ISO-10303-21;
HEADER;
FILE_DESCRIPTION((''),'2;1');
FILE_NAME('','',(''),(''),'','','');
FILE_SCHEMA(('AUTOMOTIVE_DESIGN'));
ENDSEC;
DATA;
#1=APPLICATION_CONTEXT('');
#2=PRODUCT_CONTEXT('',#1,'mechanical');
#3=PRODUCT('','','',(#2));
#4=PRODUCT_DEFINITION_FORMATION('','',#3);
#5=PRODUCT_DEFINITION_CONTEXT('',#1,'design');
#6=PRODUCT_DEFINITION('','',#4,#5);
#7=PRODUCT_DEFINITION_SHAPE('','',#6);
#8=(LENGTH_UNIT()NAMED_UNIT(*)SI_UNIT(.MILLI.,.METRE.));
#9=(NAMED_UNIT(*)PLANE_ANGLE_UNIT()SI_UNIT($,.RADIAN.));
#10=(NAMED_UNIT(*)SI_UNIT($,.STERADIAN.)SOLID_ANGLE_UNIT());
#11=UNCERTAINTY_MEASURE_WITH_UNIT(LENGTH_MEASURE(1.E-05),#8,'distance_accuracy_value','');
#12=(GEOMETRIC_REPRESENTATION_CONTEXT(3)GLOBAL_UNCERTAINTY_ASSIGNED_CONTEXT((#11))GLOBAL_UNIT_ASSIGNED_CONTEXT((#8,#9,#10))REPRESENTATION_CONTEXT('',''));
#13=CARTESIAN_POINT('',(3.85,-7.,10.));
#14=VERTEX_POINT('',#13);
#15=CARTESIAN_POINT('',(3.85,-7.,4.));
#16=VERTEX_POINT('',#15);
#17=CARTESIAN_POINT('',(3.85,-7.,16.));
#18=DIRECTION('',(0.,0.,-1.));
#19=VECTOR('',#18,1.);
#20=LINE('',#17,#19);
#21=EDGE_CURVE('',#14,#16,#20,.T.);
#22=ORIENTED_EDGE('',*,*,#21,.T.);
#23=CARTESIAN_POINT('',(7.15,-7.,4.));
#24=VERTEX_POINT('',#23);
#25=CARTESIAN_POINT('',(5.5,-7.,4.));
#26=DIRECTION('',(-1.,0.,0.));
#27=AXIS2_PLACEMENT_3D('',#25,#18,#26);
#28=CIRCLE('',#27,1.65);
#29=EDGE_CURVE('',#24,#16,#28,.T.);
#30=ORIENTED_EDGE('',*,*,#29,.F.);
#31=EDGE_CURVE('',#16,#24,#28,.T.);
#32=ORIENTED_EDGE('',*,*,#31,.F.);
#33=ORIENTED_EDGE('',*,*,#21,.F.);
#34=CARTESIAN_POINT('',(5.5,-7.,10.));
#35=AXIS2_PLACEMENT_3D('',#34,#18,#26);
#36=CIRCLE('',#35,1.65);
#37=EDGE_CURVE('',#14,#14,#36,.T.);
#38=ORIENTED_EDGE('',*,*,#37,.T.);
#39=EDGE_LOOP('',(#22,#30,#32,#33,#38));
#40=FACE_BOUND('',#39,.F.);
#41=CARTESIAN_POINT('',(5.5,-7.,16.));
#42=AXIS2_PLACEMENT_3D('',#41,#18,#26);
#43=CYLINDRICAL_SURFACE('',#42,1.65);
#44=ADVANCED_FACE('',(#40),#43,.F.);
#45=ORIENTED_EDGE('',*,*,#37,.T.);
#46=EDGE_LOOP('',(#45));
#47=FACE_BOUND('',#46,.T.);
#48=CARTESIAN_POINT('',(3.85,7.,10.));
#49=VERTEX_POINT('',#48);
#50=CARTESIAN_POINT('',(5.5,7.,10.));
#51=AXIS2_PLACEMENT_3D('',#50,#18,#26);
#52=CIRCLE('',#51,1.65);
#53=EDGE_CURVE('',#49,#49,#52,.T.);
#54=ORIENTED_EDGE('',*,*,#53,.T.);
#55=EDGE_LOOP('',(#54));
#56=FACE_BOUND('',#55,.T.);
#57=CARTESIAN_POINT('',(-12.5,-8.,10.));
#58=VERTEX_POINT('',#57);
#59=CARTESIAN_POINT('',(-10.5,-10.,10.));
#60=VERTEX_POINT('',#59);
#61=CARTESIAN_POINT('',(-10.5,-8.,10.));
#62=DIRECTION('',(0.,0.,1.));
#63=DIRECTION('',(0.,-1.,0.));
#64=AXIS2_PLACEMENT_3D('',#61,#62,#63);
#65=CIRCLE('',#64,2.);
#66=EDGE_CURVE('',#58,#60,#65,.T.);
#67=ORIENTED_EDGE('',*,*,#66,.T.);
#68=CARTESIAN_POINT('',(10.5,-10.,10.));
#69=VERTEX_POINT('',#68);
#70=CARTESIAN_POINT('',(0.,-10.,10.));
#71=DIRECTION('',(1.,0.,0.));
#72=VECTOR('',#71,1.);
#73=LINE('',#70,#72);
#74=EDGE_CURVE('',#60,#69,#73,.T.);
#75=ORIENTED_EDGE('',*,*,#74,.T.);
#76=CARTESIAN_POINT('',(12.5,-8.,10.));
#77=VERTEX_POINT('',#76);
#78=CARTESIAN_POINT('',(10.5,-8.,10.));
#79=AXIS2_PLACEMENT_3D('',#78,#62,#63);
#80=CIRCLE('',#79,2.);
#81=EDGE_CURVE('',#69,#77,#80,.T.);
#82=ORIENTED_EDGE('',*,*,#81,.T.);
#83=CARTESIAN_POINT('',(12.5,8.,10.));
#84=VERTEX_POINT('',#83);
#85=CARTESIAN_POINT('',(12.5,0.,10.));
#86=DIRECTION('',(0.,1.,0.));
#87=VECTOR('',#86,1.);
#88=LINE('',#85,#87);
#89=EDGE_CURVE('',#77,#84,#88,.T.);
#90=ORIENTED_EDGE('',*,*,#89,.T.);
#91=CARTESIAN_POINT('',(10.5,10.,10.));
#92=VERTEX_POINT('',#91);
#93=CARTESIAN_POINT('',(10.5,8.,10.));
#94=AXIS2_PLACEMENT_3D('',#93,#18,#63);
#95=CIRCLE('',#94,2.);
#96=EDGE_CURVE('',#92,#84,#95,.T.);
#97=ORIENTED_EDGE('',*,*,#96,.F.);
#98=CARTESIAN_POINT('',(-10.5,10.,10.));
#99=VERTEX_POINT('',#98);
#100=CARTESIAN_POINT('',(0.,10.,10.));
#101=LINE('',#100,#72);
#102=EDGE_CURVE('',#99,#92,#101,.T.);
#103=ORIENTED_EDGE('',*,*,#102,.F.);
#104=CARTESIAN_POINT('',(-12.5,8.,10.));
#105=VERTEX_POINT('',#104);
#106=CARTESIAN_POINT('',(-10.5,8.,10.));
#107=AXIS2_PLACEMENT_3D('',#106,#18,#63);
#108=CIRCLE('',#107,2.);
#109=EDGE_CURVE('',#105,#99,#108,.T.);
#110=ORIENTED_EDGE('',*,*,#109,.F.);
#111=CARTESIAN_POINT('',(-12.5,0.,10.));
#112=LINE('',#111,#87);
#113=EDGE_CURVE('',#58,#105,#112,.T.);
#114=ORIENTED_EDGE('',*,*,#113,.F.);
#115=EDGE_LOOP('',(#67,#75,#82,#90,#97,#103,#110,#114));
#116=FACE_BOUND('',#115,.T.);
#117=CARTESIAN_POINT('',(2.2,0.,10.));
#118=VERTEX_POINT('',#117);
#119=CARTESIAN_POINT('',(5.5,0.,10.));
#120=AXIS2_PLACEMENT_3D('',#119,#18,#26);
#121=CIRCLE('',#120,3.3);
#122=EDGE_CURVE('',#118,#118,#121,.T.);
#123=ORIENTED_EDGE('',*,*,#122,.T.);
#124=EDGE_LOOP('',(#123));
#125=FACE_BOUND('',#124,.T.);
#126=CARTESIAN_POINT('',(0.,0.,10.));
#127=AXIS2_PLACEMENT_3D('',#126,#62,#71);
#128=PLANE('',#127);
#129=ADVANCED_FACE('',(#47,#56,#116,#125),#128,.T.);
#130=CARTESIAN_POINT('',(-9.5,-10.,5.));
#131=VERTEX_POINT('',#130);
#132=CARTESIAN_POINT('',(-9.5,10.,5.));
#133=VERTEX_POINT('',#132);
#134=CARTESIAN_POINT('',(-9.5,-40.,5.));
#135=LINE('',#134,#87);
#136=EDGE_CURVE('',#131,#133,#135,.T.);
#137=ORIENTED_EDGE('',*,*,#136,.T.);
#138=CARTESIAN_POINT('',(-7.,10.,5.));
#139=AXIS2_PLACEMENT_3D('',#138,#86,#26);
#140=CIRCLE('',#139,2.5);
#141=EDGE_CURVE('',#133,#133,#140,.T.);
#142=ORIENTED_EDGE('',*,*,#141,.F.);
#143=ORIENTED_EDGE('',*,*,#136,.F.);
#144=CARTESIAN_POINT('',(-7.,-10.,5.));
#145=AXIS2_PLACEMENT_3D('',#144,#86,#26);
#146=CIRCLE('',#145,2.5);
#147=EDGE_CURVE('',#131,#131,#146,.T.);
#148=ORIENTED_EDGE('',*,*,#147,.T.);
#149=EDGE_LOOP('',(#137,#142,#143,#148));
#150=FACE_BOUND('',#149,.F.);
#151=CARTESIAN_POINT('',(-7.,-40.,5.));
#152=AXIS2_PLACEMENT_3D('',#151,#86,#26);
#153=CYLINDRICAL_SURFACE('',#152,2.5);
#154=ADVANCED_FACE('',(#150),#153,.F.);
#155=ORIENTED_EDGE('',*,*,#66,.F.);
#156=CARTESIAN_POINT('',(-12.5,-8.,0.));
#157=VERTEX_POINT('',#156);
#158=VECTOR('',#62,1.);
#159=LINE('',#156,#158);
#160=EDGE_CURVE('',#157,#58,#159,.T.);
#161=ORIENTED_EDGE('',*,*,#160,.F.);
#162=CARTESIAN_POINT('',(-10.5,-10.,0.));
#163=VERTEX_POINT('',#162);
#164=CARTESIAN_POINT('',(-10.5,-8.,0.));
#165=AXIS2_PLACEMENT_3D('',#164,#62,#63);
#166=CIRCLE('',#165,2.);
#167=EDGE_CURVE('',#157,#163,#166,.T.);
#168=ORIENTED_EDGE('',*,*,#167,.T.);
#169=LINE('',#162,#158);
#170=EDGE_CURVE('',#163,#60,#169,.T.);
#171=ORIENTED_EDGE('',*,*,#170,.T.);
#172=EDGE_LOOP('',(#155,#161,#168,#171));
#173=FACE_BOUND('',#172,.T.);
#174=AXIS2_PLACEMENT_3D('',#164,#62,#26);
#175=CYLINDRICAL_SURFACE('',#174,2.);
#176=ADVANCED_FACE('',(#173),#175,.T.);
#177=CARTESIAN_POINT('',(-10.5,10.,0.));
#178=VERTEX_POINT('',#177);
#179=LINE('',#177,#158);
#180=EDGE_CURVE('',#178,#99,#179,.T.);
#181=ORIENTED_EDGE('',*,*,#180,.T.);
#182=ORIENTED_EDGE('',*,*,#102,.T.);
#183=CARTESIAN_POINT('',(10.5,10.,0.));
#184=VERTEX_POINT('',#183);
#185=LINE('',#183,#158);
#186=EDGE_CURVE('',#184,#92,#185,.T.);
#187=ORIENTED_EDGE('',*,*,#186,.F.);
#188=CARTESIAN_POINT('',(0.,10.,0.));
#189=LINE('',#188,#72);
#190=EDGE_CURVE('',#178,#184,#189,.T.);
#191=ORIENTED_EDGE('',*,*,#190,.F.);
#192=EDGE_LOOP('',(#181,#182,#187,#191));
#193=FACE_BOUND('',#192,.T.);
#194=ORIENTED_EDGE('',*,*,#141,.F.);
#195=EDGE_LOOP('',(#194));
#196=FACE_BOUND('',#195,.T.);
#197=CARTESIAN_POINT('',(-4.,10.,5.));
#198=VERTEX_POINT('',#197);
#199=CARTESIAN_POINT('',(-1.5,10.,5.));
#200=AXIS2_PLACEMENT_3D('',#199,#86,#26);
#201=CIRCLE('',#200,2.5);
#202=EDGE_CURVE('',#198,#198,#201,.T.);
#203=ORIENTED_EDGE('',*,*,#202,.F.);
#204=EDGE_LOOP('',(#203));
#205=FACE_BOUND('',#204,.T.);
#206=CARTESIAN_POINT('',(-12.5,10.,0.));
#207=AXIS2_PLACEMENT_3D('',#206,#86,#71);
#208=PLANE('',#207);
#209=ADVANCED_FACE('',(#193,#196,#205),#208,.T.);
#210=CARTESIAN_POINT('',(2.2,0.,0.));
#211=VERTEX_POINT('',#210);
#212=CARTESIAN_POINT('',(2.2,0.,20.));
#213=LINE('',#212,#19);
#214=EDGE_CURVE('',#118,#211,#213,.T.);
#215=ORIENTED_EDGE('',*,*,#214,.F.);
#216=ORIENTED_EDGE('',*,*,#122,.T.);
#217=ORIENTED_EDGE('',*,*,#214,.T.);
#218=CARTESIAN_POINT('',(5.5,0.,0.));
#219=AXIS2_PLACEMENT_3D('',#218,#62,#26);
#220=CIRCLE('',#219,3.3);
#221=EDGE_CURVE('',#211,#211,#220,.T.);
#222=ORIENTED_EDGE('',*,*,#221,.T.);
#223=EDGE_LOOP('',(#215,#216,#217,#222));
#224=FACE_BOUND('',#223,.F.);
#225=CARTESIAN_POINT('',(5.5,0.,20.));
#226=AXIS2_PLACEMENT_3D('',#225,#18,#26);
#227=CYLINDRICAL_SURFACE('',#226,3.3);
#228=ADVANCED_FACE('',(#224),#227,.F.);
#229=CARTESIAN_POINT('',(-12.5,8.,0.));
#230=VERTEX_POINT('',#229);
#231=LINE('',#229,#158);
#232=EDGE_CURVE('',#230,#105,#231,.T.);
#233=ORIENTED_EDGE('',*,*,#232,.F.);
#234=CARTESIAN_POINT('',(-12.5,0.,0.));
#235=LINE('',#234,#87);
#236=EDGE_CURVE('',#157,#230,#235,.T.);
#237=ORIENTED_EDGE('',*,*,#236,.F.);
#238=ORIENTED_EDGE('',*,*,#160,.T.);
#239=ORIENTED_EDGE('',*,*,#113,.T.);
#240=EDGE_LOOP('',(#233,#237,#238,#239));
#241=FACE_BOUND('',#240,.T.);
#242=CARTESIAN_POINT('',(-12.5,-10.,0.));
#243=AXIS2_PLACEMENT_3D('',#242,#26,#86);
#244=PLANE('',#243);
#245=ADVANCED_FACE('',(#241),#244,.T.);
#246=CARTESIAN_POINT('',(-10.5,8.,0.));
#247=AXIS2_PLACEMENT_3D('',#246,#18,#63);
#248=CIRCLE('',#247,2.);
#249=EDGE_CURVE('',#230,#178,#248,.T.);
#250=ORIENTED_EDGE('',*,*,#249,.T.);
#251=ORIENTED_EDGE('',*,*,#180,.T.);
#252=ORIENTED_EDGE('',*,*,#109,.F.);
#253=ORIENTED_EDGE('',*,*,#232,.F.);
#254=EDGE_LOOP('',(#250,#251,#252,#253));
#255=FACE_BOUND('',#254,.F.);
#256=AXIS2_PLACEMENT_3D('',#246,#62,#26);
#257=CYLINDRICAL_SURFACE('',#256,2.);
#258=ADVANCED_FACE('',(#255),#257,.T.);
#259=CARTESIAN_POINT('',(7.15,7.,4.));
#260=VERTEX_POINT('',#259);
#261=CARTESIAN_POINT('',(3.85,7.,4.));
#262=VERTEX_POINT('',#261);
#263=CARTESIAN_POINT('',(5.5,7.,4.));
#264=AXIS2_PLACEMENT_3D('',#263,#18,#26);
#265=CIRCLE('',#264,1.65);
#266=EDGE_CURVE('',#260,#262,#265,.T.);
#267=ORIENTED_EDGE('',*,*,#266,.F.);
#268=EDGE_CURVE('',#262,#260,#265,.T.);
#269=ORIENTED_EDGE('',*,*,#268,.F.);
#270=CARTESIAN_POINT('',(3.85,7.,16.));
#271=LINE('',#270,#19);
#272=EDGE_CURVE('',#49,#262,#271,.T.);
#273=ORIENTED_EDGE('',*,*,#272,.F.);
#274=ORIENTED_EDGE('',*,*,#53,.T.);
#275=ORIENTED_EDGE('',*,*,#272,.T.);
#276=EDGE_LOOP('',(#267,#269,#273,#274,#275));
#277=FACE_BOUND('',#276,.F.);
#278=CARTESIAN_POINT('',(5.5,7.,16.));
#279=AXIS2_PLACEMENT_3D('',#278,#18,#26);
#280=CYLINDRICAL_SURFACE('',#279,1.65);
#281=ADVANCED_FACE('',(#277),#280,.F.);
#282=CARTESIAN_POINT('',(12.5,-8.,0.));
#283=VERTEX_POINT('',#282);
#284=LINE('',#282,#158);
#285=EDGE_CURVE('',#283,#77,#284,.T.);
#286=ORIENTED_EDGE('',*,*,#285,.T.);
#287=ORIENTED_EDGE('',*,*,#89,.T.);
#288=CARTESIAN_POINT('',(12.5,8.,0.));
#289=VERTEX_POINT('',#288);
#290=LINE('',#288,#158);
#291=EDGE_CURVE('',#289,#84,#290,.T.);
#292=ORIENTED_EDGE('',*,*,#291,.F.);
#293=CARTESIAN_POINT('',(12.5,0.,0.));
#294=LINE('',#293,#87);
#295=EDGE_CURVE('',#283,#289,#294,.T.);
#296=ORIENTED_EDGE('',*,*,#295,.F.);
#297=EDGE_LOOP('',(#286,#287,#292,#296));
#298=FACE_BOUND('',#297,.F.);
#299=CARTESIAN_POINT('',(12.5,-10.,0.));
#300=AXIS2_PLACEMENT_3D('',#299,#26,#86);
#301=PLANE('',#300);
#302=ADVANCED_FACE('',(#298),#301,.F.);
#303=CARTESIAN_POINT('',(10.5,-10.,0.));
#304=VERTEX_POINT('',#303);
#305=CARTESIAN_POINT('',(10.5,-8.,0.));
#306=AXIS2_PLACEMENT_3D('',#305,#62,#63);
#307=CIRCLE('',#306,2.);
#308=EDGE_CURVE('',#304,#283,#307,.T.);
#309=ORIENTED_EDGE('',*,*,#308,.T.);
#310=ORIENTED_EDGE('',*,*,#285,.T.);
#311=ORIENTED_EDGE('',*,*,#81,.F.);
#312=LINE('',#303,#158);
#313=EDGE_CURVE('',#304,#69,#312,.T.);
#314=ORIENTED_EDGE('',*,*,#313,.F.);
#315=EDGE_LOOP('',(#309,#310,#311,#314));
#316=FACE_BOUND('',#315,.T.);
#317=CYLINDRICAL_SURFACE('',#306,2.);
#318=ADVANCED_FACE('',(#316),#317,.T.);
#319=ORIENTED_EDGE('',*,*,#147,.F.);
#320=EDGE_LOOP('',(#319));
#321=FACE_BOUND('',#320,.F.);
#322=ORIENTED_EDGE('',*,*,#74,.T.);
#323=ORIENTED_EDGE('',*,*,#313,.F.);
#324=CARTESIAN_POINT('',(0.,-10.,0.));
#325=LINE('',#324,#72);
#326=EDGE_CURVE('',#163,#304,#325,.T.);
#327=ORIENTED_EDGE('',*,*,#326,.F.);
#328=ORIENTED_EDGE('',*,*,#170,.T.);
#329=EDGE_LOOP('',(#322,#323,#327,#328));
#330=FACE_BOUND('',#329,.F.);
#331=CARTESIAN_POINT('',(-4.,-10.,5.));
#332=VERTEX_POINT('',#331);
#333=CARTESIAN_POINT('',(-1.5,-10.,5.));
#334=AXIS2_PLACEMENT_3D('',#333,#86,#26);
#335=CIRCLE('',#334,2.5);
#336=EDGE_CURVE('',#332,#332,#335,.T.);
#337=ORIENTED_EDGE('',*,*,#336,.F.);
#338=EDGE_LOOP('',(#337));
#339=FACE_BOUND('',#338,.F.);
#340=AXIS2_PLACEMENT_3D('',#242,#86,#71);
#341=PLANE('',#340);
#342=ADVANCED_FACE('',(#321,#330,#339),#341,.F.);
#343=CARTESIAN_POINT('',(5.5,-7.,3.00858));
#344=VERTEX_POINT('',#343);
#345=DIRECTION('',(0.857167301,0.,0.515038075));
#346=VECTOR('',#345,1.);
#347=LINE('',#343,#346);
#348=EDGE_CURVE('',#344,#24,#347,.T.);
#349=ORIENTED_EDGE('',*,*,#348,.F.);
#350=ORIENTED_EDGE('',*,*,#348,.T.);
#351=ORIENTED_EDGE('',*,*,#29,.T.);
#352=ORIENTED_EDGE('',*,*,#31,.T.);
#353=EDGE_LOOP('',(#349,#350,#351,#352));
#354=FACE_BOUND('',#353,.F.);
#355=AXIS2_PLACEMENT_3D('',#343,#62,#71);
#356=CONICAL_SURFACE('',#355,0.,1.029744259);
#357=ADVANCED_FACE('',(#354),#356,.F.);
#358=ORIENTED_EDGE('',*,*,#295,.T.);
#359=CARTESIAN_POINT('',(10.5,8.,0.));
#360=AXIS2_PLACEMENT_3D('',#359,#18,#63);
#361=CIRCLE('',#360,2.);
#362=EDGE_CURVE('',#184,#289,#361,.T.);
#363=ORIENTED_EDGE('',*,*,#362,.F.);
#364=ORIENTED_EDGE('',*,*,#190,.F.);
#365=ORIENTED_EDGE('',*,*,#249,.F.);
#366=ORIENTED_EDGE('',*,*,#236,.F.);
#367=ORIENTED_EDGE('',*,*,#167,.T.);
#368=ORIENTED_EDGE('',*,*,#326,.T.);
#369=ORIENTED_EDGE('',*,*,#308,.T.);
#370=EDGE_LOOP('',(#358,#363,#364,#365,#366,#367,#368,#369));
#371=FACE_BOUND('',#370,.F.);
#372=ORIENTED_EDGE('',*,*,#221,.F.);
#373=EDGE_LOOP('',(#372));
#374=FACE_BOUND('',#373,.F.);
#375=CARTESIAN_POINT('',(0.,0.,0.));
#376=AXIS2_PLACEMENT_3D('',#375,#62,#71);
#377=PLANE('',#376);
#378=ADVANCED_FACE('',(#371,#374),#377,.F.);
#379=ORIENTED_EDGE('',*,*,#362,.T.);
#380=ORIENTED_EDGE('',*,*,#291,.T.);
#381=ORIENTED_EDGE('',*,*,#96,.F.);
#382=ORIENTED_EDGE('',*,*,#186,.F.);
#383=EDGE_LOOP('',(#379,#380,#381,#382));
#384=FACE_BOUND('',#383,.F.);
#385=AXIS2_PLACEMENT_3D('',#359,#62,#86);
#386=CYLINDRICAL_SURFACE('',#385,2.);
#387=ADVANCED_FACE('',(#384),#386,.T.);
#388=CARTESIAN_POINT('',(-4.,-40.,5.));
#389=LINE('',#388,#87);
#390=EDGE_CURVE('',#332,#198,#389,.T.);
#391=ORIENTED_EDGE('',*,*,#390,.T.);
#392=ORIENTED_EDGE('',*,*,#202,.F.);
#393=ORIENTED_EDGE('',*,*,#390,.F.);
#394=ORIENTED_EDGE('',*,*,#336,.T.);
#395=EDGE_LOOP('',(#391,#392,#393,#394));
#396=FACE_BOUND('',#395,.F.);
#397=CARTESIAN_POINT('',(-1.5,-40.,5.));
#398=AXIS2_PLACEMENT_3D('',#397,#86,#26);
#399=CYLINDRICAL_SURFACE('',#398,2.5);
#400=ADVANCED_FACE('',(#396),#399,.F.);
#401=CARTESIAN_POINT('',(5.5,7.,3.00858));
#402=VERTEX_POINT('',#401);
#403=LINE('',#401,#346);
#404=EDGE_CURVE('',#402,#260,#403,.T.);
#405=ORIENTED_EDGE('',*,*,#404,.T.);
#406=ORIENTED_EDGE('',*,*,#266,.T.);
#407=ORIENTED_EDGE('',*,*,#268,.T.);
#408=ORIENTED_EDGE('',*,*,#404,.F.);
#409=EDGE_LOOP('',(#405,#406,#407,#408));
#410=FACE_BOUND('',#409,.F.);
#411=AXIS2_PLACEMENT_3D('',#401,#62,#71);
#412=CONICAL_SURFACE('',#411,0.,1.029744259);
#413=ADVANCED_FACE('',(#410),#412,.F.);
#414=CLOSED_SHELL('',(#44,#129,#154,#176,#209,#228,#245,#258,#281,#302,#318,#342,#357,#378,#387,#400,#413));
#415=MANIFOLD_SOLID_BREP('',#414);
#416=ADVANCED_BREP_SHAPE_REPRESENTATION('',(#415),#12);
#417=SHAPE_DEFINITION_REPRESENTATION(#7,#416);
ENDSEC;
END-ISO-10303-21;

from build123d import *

# Parameters (mm, degrees)
F0_W     = 25
F0_H     = 20
F1_DEPTH = 10
F3_D     = 6.6
F3_DEPTH = 10
F3_TIP   = 1.9828400428
F5_D     = 5
F5_DEPTH = 30
F5_TIP   = 1.5021515476
F6_R     = 2
F8_D     = 3.3
F8_DEPTH = 6
F8_TIP   = 0.9914200214


with BuildPart() as f1:
    # F0 (on Top) → F1 (new body)
    with BuildSketch(Plane.XY):
        Rectangle(F0_W, F0_H)
    extrude(amount=F1_DEPTH)

    # F3
    with Locations(Plane.XY.offset(10)):
        with Locations((5.5, 0)):
            Hole(F3_D / 2, depth=F3_DEPTH)
            with Locations((0, 0, -(F3_DEPTH + F3_TIP / 2))):  # 118° drill point
                Cone(0, F3_D / 2, F3_TIP, mode=Mode.SUBTRACT)

    # F5
    with Locations(Plane.XZ.offset(10)):
        with Locations((-7, 5), (-1.5, 5)):
            Hole(F5_D / 2, depth=F5_DEPTH)
            with Locations((0, 0, -(F5_DEPTH + F5_TIP / 2))):  # 118° drill point
                Cone(0, F5_D / 2, F5_TIP, mode=Mode.SUBTRACT)

    # F6
    f6_edges = [f1.edges().sort_by_distance(p)[0] for p in [
        (-12.5, -10, 5),
        (-12.5, 10, 5),
        (12.5, -10, 5),
        (12.5, 10, 5),
    ]]
    fillet(f6_edges, radius=F6_R)

    # F8
    with Locations(Plane.XY.offset(10)):
        with Locations((5.5, 7), (5.5, -7)):
            Hole(F8_D / 2, depth=F8_DEPTH)
            with Locations((0, 0, -(F8_DEPTH + F8_TIP / 2))):  # 118° drill point
                Cone(0, F8_D / 2, F8_TIP, mode=Mode.SUBTRACT)


solid = f1.part
